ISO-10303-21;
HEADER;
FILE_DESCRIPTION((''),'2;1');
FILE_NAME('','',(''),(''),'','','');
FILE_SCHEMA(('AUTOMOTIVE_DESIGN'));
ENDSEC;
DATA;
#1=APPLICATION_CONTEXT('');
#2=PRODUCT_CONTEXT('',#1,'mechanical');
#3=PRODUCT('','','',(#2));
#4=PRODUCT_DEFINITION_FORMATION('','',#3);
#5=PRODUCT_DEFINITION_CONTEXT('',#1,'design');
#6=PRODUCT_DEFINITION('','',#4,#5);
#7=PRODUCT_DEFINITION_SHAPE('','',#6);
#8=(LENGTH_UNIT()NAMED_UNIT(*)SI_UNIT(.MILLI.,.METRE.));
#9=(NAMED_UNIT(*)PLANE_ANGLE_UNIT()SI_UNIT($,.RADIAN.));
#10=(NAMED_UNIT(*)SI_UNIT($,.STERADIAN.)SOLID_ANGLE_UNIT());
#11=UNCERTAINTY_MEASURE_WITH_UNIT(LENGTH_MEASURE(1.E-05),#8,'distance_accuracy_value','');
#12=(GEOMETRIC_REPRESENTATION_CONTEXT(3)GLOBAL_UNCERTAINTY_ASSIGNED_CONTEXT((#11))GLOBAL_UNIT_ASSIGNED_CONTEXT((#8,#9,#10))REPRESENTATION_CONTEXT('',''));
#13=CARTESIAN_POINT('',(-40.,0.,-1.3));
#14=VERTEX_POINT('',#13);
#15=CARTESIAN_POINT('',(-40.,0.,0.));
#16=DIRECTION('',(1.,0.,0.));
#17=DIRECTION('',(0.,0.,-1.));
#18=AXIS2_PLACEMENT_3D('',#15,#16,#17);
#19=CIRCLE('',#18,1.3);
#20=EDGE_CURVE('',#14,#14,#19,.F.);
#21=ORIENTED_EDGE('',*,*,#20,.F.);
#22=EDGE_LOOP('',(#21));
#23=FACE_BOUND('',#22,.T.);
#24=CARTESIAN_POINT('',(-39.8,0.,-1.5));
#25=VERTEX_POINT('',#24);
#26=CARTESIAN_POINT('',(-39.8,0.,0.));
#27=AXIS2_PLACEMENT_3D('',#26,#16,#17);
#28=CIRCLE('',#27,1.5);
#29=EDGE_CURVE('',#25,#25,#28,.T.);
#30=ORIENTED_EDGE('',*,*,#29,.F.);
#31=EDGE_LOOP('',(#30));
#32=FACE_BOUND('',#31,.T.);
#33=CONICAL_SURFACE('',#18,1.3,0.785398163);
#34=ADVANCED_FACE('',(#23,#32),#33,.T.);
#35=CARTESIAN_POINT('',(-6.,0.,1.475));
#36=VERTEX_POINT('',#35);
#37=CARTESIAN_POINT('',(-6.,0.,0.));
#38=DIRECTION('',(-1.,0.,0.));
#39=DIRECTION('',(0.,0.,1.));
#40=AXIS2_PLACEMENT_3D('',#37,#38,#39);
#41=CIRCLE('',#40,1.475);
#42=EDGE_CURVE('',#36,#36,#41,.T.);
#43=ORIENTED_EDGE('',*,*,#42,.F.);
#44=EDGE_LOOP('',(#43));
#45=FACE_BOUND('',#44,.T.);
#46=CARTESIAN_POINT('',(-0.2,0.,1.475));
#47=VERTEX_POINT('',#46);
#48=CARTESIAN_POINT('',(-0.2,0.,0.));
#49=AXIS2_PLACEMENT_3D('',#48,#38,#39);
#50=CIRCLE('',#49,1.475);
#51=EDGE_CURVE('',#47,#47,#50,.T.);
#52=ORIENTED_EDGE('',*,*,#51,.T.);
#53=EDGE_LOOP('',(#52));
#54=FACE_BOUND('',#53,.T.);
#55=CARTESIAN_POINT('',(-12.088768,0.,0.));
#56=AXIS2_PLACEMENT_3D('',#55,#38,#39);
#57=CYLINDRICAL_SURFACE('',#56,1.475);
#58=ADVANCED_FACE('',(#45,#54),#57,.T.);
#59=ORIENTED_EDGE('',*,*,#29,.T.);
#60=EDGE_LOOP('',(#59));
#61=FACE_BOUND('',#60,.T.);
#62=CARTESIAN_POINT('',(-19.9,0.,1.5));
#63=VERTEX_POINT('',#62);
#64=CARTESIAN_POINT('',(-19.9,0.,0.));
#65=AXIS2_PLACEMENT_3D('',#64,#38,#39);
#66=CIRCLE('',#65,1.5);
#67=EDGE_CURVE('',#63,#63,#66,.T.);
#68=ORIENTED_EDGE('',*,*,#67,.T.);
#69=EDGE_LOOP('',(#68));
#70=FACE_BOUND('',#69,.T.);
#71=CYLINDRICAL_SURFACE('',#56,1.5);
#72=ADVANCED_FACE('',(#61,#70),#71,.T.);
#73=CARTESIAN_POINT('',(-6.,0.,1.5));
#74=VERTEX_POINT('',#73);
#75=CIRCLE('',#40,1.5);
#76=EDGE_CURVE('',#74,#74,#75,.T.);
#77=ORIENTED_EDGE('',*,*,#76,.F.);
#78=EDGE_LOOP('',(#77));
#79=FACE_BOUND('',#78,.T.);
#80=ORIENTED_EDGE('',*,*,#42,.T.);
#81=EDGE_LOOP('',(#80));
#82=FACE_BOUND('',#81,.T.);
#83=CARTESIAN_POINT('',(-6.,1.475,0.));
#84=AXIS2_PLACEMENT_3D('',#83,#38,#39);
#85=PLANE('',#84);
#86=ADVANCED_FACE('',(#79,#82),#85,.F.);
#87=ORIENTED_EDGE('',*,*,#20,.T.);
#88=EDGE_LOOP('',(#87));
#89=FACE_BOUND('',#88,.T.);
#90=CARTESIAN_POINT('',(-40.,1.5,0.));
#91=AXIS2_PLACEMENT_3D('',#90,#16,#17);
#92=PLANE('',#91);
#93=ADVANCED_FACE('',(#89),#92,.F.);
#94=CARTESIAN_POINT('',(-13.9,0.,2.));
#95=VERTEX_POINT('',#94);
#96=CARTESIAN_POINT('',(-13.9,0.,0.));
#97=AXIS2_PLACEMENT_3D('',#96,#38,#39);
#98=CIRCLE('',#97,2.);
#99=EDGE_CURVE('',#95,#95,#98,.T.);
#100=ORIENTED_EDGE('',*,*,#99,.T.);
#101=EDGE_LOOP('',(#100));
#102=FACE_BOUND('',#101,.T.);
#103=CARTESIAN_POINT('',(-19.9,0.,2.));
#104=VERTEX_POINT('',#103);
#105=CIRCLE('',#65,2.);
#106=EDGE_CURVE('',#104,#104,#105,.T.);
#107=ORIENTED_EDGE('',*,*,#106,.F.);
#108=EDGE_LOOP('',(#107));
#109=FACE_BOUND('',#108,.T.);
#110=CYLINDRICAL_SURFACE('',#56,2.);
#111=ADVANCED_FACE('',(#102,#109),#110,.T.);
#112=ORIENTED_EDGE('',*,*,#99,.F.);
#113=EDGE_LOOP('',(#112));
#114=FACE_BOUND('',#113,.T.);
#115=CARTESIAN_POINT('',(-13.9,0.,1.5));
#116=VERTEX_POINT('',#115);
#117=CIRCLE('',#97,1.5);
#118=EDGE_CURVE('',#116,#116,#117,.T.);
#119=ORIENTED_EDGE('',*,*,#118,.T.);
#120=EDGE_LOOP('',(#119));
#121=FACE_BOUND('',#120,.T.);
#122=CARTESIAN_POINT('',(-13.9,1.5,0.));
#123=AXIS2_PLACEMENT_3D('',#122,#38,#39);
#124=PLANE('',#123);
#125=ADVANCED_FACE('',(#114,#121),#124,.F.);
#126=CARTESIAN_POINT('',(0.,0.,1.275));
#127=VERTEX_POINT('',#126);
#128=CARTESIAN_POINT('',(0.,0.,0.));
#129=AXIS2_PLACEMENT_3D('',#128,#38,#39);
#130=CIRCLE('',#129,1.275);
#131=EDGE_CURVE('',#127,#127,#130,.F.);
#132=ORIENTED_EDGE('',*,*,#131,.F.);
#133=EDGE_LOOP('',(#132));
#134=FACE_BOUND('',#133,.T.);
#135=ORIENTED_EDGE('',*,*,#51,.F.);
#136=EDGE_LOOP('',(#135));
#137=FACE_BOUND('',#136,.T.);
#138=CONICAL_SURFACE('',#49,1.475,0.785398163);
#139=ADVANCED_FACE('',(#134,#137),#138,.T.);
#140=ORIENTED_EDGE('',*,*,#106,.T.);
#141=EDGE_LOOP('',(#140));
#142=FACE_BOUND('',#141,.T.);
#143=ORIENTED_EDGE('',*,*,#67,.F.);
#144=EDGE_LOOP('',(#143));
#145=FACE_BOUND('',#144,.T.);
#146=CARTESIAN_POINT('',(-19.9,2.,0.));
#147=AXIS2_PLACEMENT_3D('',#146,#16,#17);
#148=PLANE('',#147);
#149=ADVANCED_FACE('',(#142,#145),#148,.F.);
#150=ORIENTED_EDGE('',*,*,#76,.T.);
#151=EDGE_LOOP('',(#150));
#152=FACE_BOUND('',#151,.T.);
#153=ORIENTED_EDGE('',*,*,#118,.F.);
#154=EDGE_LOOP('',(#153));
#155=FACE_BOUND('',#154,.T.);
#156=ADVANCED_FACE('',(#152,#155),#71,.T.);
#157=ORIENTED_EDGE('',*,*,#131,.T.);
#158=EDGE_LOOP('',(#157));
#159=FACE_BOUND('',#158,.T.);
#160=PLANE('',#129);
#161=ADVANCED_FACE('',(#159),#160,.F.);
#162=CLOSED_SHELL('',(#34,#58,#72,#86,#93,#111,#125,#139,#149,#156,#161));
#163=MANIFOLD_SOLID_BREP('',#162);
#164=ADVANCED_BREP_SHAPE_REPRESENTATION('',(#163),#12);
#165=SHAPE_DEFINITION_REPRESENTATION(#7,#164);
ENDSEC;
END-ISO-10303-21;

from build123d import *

# Parameters (mm, degrees)
CHAMFER_1_SIZE = 0.2


with BuildPart() as part:
    # 草图1 → 旋转1 (revolve)
    with BuildSketch(Plane.XY, mode=Mode.PRIVATE) as revolve_1_sk:
        Polygon((0, 0), (0, 1.475), (-6, 1.475), (-6, 1.5), (-13.9, 1.5), (-13.9, 2), (-19.9, 2), (-19.9, 1.5), (-40, 1.5), (-40, 0), align=None)
    revolve(revolve_1_sk.sketch.rotate(Axis((-12.088767593, 0, 0), (1, 0, 0)), 90), axis=Axis((-12.088767593, 0, 0), (1, 0, 0)))

    # 倒角1
    chamfer_1_edges = [part.edges().sort_by_distance(p)[0] for p in [
        (0, 0, -1.475),
        (-40, 0, -1.5),
    ]]
    chamfer(chamfer_1_edges, length=CHAMFER_1_SIZE)


solid = part.part
